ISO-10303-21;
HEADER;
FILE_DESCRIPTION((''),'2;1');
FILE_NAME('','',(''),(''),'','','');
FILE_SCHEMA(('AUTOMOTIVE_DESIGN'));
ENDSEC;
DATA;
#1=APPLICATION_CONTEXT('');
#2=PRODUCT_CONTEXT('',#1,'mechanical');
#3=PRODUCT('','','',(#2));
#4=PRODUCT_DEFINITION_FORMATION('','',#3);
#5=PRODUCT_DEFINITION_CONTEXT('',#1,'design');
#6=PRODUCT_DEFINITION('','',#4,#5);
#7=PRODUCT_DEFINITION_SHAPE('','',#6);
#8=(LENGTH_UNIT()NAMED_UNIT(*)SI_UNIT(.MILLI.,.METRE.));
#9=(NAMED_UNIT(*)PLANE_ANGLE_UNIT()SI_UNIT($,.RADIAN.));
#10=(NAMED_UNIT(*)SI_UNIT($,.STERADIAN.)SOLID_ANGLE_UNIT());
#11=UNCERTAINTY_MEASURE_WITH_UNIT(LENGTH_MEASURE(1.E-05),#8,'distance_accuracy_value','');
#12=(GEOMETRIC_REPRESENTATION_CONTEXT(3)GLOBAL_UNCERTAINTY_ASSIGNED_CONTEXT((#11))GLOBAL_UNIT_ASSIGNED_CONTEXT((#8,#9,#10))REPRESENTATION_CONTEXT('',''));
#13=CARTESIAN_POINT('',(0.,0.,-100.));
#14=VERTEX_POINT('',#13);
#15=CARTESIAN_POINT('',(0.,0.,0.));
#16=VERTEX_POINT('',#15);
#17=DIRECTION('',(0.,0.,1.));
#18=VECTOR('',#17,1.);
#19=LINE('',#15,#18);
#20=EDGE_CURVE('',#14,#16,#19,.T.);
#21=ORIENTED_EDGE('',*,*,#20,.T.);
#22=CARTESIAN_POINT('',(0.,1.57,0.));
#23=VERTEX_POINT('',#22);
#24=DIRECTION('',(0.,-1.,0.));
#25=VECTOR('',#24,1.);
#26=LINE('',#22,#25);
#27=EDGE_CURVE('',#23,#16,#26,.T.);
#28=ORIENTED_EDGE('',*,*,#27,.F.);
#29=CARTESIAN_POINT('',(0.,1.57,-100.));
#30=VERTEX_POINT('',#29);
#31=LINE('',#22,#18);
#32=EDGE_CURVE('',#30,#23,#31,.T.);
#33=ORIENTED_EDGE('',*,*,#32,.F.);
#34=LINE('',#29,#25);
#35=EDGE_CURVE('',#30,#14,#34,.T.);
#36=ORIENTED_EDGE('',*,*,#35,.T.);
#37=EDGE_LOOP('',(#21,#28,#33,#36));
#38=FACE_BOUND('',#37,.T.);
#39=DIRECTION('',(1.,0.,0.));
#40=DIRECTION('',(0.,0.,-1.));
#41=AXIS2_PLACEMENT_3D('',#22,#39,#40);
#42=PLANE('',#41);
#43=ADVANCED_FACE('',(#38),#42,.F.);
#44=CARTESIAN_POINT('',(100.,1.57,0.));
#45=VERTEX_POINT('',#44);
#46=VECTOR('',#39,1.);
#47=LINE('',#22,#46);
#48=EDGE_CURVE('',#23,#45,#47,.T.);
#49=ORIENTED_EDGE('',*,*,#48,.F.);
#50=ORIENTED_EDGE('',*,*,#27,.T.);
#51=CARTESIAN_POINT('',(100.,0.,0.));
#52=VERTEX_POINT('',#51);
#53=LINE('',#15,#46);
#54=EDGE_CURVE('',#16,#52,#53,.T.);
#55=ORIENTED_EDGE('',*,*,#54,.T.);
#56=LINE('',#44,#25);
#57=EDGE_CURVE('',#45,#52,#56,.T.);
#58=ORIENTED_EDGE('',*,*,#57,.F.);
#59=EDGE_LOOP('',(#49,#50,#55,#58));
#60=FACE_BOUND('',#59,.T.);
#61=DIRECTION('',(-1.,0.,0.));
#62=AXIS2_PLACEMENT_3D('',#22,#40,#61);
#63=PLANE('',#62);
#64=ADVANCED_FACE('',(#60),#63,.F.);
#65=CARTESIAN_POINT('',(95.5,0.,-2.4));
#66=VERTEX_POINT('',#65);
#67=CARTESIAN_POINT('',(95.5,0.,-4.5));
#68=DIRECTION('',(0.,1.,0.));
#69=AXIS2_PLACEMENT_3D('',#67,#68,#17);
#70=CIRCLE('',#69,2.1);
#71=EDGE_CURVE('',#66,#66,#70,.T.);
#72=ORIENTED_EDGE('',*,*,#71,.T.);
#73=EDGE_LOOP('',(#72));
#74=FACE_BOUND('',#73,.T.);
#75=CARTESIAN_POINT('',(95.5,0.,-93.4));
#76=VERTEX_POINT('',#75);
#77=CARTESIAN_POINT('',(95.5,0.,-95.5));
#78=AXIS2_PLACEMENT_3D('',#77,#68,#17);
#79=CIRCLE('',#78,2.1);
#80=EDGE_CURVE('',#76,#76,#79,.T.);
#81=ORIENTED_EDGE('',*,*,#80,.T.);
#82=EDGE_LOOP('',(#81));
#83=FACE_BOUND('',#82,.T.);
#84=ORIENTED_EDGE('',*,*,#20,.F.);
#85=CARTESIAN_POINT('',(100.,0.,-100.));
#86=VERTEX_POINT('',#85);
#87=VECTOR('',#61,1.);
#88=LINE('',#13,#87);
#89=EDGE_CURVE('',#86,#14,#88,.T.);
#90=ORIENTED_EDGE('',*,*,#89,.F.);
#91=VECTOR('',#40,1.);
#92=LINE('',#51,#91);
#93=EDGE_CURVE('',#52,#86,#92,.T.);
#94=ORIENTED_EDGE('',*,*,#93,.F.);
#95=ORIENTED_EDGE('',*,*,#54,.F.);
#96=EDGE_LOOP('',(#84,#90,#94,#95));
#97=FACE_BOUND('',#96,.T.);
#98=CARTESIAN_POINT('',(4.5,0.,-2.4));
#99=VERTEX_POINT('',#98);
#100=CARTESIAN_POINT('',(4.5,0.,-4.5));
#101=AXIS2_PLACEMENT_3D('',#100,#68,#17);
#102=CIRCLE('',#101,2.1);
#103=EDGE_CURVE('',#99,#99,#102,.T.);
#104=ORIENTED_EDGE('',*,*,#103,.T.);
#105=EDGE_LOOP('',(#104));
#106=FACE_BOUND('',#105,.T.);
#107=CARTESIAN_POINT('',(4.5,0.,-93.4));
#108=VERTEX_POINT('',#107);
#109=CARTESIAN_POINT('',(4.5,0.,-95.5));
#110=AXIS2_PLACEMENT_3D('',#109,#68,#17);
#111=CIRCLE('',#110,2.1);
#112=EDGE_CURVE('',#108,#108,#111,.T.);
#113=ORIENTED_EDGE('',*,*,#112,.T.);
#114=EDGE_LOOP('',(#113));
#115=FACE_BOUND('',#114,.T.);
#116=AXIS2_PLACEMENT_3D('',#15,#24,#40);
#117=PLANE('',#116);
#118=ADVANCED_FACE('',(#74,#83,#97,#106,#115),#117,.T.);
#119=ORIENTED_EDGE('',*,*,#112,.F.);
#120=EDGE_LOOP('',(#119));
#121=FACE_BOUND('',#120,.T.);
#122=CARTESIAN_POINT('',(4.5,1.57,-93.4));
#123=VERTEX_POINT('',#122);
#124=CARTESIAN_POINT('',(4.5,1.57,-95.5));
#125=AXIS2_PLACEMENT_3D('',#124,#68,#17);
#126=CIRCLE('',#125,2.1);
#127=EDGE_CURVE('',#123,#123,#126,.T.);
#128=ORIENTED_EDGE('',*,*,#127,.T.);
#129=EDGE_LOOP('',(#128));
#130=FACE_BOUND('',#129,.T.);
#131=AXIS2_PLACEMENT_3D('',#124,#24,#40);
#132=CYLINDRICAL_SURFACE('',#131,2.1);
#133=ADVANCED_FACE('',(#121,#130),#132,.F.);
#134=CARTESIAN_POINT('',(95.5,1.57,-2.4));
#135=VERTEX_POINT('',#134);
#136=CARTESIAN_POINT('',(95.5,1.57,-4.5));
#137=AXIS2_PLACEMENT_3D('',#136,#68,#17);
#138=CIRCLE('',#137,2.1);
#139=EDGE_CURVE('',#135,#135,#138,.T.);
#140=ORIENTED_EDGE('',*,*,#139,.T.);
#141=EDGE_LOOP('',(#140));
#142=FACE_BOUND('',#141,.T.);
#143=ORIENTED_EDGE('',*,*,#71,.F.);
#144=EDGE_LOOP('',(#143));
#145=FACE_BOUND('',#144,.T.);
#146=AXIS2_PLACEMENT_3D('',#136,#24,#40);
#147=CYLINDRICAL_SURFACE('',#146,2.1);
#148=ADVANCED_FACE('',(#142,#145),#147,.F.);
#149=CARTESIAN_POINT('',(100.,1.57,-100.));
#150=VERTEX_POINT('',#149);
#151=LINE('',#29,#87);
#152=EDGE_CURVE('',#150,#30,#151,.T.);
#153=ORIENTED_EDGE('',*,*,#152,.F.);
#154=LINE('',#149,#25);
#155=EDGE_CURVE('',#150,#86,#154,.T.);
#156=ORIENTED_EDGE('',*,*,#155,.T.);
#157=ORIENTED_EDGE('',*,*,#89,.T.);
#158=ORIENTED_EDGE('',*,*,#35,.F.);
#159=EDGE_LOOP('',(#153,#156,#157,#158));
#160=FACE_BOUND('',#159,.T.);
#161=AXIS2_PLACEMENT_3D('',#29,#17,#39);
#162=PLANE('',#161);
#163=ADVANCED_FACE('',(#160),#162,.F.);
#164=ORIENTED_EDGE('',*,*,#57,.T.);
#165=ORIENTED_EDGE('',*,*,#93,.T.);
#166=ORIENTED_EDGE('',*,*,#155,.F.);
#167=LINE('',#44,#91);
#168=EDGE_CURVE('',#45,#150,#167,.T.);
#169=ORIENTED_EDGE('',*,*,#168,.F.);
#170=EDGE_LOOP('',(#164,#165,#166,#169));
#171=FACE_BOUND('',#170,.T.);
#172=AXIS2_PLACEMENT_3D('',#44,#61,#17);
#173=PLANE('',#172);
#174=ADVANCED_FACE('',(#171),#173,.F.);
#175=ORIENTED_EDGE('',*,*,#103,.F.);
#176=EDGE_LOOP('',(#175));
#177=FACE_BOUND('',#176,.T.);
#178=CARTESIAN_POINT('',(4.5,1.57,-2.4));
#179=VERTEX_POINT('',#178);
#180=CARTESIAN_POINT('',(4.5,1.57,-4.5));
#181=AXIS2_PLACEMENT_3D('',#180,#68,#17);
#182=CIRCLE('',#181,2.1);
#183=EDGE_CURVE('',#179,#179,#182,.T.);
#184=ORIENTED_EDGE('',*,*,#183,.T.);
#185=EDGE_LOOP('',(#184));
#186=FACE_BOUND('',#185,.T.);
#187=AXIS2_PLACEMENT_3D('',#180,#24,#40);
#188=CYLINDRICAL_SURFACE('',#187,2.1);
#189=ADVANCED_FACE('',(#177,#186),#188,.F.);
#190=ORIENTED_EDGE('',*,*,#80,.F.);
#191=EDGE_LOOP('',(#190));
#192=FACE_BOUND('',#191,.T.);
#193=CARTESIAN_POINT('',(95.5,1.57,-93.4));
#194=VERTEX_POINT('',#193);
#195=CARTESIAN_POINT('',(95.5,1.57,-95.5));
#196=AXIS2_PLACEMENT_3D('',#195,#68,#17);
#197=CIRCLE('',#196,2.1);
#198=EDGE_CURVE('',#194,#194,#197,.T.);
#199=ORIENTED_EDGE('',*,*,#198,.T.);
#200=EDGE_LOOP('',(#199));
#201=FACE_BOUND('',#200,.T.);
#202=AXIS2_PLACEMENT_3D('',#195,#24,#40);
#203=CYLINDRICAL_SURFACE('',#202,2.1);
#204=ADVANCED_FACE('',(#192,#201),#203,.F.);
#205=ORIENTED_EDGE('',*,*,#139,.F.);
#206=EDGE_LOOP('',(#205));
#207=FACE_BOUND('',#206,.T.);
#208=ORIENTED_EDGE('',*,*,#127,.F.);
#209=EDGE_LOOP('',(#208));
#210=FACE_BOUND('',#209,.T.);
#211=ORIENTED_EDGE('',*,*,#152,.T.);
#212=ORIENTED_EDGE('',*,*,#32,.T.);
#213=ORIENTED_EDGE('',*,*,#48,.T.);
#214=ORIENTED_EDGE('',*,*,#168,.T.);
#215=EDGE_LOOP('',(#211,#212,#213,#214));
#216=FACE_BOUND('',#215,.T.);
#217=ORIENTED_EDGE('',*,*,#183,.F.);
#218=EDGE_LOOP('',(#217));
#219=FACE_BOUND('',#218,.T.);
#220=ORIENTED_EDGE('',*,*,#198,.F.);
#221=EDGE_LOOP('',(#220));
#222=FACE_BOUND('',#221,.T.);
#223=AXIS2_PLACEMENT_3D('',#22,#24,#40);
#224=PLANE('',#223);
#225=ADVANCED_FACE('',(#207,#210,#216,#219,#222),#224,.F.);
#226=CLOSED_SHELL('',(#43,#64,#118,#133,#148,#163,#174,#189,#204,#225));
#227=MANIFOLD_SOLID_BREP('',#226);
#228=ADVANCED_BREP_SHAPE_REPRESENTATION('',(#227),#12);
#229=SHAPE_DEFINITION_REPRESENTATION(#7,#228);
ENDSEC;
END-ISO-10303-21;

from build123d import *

# Parameters (mm, degrees)
SKETCH1_W           = 100
SKETCH1_H           = 100
SKETCH1_R           = 2.1
BOSS_EXTRUDE1_DEPTH = 1.57


with BuildPart() as part:
    # Sketch1 → Boss-Extrude1 (new body)
    with BuildSketch(Plane(origin=(0, 0, 0), x_dir=(1, 0, 0), z_dir=(0, 1, 0))):
        with Locations((50, 50)):
            Rectangle(SKETCH1_W, SKETCH1_H)
        with Locations(Location((4.5, 95.5, 0), (0, 0, 270))):
            Circle(SKETCH1_R, mode=Mode.SUBTRACT)
        with Locations(Location((95.5, 95.5, 0), (0, 0, 270))):
            Circle(SKETCH1_R, mode=Mode.SUBTRACT)
        with Locations(Location((95.5, 4.5, 0), (0, 0, 270))):
            Circle(SKETCH1_R, mode=Mode.SUBTRACT)
        with Locations(Location((4.5, 4.5, 0), (0, 0, 270))):
            Circle(SKETCH1_R, mode=Mode.SUBTRACT)
    extrude(amount=BOSS_EXTRUDE1_DEPTH)


solid = part.part
